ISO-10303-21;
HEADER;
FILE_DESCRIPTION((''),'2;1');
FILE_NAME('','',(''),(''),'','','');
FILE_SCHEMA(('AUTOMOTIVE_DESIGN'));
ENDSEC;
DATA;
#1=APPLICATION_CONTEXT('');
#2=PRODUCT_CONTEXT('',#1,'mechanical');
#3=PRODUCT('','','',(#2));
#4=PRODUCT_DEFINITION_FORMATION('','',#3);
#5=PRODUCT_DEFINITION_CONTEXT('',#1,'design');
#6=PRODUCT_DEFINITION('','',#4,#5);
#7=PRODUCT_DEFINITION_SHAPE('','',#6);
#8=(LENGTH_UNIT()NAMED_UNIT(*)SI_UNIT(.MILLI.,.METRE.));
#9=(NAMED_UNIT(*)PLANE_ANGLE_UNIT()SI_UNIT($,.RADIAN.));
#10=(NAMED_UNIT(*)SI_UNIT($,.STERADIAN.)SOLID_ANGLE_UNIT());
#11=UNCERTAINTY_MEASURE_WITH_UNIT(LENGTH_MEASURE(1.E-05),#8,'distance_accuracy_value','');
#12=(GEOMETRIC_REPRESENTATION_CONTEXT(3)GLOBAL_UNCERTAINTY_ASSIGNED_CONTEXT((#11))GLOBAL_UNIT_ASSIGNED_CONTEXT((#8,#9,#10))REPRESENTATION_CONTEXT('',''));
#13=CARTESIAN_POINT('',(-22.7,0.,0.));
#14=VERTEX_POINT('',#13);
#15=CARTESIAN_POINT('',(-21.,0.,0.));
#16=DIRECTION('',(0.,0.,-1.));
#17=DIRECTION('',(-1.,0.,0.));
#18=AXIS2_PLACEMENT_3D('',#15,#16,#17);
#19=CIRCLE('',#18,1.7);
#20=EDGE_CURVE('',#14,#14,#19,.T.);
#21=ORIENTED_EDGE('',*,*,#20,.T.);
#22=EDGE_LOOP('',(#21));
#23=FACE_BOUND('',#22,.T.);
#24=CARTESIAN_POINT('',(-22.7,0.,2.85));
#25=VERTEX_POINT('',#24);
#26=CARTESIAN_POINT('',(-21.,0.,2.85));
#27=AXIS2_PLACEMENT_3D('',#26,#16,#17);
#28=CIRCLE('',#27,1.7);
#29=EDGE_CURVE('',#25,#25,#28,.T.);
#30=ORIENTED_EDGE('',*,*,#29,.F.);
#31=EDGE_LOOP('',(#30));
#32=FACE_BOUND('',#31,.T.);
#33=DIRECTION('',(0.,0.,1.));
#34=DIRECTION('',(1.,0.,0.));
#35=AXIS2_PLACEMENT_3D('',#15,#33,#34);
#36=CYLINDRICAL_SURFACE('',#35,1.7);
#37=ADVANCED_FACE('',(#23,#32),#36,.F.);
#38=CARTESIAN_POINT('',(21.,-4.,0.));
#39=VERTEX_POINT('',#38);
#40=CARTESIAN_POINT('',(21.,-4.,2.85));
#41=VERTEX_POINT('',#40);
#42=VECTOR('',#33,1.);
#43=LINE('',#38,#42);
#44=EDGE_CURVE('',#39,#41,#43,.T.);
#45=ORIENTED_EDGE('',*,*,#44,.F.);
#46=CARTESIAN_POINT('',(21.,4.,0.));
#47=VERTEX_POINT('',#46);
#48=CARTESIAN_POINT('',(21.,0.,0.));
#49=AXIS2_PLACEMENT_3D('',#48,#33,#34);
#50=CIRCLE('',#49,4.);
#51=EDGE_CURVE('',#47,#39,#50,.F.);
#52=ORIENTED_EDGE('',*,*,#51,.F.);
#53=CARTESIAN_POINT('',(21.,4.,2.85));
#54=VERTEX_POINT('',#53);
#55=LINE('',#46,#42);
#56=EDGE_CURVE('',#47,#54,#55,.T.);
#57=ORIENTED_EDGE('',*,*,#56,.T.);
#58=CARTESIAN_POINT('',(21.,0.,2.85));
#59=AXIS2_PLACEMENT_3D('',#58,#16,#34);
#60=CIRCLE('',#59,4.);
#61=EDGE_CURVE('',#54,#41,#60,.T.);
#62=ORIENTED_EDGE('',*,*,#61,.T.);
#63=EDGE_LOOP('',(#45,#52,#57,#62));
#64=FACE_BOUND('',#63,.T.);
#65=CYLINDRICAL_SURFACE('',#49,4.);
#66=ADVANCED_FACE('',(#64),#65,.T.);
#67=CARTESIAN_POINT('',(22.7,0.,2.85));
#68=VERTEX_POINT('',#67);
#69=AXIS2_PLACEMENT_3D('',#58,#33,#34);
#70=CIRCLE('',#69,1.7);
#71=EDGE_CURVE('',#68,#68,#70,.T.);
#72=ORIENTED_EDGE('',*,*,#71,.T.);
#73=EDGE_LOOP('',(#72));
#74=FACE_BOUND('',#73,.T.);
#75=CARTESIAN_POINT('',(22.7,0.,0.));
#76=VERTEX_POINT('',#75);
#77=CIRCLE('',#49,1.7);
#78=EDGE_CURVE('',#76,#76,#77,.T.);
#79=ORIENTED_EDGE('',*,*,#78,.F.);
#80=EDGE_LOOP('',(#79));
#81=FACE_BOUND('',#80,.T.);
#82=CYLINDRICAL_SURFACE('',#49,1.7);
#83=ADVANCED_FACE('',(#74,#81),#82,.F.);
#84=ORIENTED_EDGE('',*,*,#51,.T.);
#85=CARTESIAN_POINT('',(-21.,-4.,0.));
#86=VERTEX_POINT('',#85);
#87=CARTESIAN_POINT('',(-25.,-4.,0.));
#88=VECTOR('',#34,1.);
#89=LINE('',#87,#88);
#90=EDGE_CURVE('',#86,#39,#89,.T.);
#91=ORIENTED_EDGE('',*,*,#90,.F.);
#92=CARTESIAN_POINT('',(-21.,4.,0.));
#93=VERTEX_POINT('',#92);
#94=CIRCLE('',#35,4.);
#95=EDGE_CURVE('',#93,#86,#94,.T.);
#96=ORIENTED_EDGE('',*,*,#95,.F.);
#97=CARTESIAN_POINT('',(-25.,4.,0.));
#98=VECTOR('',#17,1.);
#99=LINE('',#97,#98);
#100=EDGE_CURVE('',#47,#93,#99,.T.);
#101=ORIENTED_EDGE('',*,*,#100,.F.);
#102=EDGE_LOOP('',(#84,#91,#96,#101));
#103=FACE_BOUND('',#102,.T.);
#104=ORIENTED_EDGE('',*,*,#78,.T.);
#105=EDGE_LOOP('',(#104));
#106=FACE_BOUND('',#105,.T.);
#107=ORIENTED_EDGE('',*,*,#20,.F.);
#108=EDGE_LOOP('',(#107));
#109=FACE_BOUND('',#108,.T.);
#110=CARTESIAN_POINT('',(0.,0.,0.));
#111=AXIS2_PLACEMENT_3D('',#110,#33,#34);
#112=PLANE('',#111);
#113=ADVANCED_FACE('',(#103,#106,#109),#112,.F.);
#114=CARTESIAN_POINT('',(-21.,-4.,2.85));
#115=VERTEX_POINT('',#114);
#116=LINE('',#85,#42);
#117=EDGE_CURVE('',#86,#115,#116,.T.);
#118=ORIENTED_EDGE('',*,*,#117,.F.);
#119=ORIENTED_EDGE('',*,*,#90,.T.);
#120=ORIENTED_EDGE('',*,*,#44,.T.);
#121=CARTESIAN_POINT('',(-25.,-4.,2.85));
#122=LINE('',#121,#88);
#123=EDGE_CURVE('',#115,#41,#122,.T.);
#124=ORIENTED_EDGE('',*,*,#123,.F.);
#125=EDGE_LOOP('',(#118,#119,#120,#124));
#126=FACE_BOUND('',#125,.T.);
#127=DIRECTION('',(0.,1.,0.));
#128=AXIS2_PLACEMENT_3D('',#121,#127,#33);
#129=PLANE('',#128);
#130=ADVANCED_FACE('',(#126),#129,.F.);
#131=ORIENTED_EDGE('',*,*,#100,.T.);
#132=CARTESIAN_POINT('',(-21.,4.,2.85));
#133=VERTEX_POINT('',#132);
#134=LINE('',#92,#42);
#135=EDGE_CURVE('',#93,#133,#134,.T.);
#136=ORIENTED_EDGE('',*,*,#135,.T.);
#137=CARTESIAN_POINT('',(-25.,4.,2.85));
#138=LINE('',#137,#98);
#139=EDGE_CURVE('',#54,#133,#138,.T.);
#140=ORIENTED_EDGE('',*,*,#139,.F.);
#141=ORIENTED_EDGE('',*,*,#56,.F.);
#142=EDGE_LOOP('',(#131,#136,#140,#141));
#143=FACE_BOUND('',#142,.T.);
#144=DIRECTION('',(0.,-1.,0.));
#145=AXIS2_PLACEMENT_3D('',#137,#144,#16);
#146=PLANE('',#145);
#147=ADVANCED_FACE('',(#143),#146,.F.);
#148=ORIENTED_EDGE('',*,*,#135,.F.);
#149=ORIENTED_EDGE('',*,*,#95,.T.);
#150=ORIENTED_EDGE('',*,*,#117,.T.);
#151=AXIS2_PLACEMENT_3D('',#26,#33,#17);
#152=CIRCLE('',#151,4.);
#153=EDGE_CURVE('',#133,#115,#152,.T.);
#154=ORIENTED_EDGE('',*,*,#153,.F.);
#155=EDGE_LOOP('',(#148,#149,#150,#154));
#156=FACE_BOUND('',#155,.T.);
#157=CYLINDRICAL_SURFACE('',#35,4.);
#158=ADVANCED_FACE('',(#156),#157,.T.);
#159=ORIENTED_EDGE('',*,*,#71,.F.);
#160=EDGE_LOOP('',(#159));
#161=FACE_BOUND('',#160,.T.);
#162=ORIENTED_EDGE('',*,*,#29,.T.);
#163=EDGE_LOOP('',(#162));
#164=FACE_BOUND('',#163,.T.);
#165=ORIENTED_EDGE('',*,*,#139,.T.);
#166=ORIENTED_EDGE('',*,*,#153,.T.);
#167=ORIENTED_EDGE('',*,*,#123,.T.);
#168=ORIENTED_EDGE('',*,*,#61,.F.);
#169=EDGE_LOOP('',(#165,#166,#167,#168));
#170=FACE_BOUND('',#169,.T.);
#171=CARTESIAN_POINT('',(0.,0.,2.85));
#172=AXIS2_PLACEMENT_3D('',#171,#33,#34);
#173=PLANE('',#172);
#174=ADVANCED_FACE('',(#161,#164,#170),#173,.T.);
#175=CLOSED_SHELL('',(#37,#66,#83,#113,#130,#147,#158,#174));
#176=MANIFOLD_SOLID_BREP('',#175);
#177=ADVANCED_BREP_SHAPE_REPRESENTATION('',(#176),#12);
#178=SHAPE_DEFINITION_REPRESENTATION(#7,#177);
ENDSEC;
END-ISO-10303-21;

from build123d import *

# Parameters (mm, degrees)
SKETCH1_W           = 50
SKETCH1_H           = 8
BOSS_EXTRUDE1_DEPTH = 2.85
CUT_EXTRUDE1_DEPTH  = 26.477882565
SKETCH3_R           = 1.7
CUT_EXTRUDE2_DEPTH  = 26.477882565


with BuildPart() as part:
    # Sketch1 → Boss-Extrude1 (new body)
    with BuildSketch(Plane.XY):
        Rectangle(SKETCH1_W, SKETCH1_H)
    extrude(amount=BOSS_EXTRUDE1_DEPTH)

    # Sketch2 → Cut-Extrude1 (cut, through all)
    with BuildSketch(Plane.XY.offset(2.85)):
        with BuildLine():
            Line((21, -4), (26, -4))
            Line((26, -4), (26, 4))
            Line((26, 4), (21, 4))
            ThreePointArc((21, 4), (25, 0), (21, -4))
        make_face()
    cut_extrude1 = extrude(amount=-CUT_EXTRUDE1_DEPTH, mode=Mode.SUBTRACT)

    # Sketch3 → Cut-Extrude2 (cut, through all)
    with BuildSketch(Plane.XY.offset(2.85)):
        with Locations((21, 0)):
            Circle(SKETCH3_R)
    cut_extrude2 = extrude(amount=-CUT_EXTRUDE2_DEPTH, mode=Mode.SUBTRACT)

    # Mirror1: Cut-Extrude1, Cut-Extrude2 across plane
    add(cut_extrude1.mirror(Plane(origin=(0, 0, 0), x_dir=(0, 0, 1), z_dir=(1, 0, 0))), mode=Mode.SUBTRACT)
    add(cut_extrude2.mirror(Plane(origin=(0, 0, 0), x_dir=(0, 0, 1), z_dir=(1, 0, 0))), mode=Mode.SUBTRACT)


solid = part.part
